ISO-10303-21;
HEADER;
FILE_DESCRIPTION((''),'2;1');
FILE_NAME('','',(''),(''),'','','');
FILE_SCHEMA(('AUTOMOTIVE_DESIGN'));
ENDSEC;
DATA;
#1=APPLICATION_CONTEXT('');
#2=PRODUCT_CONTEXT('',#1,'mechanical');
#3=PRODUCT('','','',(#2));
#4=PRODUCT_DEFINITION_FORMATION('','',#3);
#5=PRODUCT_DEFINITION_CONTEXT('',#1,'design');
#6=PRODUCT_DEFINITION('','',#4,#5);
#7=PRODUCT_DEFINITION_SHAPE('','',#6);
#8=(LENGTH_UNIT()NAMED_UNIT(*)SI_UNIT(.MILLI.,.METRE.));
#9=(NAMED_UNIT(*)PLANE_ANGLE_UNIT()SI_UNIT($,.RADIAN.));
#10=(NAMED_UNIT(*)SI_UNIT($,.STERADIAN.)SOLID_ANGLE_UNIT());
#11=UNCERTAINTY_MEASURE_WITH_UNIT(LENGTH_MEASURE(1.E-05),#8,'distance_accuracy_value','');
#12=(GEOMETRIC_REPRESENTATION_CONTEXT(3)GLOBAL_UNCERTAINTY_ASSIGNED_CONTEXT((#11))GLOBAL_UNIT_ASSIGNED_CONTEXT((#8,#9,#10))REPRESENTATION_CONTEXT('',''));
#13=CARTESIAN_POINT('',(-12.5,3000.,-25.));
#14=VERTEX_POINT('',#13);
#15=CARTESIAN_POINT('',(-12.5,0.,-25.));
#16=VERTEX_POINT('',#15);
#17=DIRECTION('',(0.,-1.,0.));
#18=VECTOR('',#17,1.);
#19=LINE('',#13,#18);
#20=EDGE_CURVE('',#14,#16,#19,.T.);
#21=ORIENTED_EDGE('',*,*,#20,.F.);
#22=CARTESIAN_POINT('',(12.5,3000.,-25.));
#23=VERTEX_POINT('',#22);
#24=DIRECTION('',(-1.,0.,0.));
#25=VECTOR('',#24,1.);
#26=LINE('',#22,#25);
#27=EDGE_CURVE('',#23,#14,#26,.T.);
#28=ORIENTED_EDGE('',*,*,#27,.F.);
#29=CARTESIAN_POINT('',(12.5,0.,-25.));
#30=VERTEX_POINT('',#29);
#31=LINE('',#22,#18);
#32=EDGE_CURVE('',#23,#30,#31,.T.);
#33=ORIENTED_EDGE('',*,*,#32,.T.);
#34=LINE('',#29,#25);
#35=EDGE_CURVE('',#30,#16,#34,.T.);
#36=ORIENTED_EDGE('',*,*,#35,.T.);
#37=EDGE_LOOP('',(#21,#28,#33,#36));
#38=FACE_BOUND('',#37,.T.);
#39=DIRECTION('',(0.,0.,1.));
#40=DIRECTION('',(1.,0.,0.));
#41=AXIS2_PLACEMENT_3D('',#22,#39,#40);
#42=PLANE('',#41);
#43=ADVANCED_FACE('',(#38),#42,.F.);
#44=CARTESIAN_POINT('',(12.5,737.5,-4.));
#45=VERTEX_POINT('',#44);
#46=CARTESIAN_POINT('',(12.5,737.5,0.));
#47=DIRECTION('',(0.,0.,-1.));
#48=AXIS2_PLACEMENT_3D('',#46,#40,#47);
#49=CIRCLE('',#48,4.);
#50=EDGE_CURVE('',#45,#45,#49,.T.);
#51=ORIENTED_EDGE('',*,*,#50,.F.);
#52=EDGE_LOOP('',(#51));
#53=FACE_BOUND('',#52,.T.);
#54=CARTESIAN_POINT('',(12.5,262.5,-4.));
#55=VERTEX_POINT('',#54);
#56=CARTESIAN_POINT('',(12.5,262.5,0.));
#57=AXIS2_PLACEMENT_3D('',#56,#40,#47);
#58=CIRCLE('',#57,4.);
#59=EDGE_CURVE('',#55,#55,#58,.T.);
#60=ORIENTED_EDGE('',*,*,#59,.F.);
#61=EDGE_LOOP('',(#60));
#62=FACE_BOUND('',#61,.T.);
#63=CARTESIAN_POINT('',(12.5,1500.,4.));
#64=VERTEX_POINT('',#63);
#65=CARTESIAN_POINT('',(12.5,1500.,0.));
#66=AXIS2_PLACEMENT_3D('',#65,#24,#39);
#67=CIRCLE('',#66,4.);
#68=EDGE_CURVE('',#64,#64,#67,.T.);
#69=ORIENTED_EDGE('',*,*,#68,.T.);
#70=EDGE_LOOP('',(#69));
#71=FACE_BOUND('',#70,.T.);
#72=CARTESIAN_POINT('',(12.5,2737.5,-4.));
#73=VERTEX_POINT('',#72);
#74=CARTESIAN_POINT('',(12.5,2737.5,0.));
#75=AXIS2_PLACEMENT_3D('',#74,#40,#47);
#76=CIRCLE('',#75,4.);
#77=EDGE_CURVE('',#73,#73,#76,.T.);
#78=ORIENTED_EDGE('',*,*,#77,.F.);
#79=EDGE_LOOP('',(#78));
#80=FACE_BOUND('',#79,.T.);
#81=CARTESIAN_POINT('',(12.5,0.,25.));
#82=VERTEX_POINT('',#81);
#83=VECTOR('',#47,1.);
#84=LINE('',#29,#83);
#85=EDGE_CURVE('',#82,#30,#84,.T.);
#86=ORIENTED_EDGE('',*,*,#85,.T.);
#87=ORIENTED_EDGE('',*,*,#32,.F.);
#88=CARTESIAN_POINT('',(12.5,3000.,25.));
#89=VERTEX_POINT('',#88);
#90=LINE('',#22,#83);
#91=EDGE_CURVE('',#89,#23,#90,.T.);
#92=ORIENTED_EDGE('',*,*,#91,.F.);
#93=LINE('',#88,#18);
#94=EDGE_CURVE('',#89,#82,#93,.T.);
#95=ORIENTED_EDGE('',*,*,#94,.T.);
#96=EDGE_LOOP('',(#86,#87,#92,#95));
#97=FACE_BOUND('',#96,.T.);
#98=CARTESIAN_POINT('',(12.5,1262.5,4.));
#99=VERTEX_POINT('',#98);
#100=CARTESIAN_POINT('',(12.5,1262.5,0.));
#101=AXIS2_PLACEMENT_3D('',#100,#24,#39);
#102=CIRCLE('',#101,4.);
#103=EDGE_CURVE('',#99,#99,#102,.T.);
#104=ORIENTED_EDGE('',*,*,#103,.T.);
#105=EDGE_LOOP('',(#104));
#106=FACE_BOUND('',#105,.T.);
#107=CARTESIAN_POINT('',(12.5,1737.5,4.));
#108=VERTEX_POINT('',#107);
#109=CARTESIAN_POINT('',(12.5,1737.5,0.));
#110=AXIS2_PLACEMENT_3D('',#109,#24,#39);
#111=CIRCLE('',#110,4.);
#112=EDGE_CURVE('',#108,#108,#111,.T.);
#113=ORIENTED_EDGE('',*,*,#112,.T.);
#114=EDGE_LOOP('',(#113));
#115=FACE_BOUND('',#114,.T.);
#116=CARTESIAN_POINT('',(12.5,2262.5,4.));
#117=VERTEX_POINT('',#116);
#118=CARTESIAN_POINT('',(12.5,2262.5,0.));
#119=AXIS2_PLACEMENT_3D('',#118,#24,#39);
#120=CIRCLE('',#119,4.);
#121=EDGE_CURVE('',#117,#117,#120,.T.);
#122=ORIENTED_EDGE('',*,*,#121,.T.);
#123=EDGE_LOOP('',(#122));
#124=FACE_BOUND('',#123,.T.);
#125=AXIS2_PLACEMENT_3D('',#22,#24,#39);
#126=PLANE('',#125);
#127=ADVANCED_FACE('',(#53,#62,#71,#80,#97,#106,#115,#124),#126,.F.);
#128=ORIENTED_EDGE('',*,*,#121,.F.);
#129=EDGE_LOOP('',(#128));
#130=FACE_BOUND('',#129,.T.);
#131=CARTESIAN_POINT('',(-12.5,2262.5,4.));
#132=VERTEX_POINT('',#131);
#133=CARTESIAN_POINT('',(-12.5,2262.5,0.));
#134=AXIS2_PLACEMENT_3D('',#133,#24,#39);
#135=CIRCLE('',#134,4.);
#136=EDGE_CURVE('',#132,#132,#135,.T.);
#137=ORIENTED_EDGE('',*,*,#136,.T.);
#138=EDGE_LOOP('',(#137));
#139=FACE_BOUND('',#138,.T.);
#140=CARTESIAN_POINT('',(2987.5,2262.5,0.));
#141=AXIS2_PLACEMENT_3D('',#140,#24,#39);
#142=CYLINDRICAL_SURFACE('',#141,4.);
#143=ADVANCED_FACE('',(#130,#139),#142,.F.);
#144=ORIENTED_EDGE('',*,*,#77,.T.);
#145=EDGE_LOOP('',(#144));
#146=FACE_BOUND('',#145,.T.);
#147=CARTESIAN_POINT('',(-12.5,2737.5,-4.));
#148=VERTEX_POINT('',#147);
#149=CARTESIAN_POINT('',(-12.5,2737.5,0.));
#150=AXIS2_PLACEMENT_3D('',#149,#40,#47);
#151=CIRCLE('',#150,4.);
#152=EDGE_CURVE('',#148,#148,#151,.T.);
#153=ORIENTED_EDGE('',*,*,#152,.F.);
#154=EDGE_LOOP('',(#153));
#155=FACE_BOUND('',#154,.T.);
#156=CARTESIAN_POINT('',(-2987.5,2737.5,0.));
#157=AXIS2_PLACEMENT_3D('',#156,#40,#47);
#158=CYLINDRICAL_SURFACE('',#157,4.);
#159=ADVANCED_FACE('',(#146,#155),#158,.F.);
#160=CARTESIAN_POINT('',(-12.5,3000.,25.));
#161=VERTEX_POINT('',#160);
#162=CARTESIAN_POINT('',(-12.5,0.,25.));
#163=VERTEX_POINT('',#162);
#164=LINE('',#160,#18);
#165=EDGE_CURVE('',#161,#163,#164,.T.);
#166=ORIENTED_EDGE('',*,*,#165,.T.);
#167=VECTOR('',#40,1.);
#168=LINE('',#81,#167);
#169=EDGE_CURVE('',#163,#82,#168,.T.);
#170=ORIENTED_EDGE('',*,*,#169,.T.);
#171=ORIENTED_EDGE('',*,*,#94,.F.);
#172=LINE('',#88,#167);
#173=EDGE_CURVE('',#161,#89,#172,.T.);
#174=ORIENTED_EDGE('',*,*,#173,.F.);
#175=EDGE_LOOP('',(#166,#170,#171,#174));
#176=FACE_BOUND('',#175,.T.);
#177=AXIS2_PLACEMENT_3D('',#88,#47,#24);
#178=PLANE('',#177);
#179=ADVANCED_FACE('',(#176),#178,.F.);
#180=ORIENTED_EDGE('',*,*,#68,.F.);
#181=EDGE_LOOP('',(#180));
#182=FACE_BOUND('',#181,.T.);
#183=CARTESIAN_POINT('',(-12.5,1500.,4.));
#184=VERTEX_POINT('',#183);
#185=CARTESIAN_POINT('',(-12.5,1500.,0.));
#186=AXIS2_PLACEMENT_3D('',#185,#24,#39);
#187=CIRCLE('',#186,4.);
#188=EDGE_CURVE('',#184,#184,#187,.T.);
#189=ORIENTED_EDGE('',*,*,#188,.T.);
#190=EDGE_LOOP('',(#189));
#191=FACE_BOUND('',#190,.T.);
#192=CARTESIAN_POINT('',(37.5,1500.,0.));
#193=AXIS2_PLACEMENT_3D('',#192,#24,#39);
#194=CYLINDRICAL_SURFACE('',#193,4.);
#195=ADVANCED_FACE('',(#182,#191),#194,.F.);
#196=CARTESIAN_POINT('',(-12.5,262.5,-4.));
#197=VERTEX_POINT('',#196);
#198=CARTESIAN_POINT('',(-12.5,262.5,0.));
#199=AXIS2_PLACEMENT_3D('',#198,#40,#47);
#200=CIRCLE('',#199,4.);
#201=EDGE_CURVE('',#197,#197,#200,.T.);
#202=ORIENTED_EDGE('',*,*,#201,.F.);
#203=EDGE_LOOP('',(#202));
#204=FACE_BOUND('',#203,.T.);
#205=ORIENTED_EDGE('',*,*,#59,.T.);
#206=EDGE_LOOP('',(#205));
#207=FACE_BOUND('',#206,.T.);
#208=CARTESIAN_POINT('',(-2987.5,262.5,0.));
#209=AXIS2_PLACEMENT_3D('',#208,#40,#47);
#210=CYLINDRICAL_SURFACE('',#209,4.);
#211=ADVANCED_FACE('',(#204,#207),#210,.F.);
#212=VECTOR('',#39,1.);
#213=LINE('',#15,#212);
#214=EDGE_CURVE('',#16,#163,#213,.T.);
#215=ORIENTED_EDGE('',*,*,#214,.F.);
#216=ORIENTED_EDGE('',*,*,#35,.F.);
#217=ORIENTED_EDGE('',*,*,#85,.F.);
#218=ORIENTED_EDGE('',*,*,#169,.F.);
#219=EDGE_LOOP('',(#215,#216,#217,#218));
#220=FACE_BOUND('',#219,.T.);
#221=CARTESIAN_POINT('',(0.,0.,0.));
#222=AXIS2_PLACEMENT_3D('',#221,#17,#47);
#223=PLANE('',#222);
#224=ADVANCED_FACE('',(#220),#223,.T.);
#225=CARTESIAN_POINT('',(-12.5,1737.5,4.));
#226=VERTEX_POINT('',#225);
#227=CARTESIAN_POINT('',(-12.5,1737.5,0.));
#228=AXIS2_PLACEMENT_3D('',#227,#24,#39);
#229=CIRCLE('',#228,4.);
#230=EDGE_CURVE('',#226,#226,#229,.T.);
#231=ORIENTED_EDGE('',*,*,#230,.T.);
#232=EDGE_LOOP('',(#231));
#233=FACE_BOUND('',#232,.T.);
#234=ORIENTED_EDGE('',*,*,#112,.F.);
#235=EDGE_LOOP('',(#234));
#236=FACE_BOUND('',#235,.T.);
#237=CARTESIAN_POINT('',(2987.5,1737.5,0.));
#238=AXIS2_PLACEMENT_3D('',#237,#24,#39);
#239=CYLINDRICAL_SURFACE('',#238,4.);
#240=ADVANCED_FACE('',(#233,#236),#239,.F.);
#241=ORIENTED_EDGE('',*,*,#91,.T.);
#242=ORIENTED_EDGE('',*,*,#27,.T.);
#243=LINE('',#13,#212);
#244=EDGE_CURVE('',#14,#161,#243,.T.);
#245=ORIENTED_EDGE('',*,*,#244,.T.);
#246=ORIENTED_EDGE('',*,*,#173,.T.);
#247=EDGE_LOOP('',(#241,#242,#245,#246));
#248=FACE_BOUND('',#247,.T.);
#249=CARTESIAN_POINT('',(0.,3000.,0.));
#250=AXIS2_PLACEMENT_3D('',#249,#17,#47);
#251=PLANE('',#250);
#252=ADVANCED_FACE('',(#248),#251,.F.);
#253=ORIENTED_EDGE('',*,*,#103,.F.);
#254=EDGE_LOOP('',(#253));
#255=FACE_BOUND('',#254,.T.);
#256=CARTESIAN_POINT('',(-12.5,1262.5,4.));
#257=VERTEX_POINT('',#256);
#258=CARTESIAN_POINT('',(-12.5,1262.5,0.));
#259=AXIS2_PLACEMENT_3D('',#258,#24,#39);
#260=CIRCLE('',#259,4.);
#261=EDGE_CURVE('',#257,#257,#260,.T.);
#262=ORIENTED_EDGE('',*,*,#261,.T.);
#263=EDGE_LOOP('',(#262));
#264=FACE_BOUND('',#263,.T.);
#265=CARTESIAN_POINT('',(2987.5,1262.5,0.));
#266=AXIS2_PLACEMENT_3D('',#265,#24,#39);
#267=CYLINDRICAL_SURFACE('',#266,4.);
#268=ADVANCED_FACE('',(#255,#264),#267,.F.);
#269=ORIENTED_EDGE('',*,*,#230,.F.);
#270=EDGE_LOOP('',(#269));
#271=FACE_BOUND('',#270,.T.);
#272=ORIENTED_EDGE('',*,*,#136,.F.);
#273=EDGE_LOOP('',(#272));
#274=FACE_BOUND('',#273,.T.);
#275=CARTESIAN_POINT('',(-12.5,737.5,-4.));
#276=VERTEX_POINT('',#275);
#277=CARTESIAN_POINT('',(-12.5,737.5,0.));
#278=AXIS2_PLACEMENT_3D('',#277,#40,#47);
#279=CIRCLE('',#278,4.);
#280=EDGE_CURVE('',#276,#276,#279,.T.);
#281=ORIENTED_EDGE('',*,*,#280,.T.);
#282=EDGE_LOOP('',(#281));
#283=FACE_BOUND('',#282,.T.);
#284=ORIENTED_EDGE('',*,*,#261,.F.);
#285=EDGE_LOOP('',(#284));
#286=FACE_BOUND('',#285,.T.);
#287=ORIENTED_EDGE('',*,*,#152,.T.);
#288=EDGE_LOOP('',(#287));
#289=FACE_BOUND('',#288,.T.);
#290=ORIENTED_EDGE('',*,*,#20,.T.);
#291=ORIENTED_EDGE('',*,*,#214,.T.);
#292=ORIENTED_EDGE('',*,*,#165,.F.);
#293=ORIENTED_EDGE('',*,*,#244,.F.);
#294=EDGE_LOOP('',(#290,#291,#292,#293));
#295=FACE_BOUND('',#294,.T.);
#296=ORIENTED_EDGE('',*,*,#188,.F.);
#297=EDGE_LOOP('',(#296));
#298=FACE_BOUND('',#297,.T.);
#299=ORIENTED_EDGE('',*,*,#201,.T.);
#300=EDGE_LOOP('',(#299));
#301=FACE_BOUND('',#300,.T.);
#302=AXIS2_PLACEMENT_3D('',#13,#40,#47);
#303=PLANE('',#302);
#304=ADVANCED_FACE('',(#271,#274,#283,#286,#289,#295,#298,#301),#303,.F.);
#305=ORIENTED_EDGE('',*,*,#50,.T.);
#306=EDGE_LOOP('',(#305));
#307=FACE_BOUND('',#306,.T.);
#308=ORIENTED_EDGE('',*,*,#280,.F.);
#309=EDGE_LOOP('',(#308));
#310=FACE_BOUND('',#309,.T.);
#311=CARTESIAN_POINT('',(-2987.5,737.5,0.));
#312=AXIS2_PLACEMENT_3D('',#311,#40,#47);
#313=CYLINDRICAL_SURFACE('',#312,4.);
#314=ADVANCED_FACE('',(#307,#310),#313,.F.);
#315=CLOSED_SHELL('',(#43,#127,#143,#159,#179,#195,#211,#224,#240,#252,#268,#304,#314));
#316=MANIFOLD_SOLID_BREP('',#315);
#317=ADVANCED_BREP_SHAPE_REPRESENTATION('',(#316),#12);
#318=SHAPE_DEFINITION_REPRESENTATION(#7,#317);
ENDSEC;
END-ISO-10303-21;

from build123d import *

# Parameters (mm, degrees)
SKETCH_1_W          = 25
SKETCH_1_H          = 50
EXTRUDE_1_DEPTH     = 3000
SKETCH_2_R          = 4
CUT_EXTRUDE_1_DEPTH = 3000
SKETCH_3_R          = 4
CUT_EXTRUDE_2_DEPTH = 3000
SKETCH_4_R          = 4
CUT_EXTRUDE_3_DEPTH = 3000
SKETCH_5_R          = 4
CUT_EXTRUDE_4_DEPTH = 50


with BuildPart() as part:
    # Эскиз1 → Бобышка-Вытянуть1 (new body)
    with BuildSketch(Plane(origin=(0, 0, 0), x_dir=(1, 0, 0), z_dir=(0, 1, 0))):
        Rectangle(SKETCH_1_W, SKETCH_1_H)
    extrude(amount=EXTRUDE_1_DEPTH)

    # Эскиз2 → Вырез-Вытянуть1 (cut)
    with BuildSketch(Plane(origin=(12.5, 0, 0), x_dir=(0, 0, -1), z_dir=(1, 0, 0))):
        with Locations((0, 2737.5)):
            Circle(SKETCH_2_R)
        with Locations((0, 262.5)):
            Circle(SKETCH_2_R)
        with Locations((0, 737.5)):
            Circle(SKETCH_2_R)
    extrude(amount=-CUT_EXTRUDE_1_DEPTH, mode=Mode.SUBTRACT)

    # Эскиз3 → Вырез-Вытянуть2 (cut)
    with BuildSketch(Plane.ZY.offset(12.5)):
        with Locations((0, 2262.5)):
            Circle(SKETCH_3_R)
    extrude(amount=-CUT_EXTRUDE_2_DEPTH, mode=Mode.SUBTRACT)

    # Эскиз4 → Вырез-Вытянуть3 (cut)
    with BuildSketch(Plane.ZY.offset(12.5)):
        with Locations((0, 1737.5)):
            Circle(SKETCH_4_R)
        with Locations((0, 1262.5)):
            Circle(SKETCH_4_R)
    extrude(amount=-CUT_EXTRUDE_3_DEPTH, mode=Mode.SUBTRACT)

    # Эскиз5 → Вырез-Вытянуть4 (cut)
    with BuildSketch(Plane.ZY.offset(12.5)):
        with Locations((0, 1500)):
            Circle(SKETCH_5_R)
    extrude(amount=-CUT_EXTRUDE_4_DEPTH, mode=Mode.SUBTRACT)


solid = part.part
